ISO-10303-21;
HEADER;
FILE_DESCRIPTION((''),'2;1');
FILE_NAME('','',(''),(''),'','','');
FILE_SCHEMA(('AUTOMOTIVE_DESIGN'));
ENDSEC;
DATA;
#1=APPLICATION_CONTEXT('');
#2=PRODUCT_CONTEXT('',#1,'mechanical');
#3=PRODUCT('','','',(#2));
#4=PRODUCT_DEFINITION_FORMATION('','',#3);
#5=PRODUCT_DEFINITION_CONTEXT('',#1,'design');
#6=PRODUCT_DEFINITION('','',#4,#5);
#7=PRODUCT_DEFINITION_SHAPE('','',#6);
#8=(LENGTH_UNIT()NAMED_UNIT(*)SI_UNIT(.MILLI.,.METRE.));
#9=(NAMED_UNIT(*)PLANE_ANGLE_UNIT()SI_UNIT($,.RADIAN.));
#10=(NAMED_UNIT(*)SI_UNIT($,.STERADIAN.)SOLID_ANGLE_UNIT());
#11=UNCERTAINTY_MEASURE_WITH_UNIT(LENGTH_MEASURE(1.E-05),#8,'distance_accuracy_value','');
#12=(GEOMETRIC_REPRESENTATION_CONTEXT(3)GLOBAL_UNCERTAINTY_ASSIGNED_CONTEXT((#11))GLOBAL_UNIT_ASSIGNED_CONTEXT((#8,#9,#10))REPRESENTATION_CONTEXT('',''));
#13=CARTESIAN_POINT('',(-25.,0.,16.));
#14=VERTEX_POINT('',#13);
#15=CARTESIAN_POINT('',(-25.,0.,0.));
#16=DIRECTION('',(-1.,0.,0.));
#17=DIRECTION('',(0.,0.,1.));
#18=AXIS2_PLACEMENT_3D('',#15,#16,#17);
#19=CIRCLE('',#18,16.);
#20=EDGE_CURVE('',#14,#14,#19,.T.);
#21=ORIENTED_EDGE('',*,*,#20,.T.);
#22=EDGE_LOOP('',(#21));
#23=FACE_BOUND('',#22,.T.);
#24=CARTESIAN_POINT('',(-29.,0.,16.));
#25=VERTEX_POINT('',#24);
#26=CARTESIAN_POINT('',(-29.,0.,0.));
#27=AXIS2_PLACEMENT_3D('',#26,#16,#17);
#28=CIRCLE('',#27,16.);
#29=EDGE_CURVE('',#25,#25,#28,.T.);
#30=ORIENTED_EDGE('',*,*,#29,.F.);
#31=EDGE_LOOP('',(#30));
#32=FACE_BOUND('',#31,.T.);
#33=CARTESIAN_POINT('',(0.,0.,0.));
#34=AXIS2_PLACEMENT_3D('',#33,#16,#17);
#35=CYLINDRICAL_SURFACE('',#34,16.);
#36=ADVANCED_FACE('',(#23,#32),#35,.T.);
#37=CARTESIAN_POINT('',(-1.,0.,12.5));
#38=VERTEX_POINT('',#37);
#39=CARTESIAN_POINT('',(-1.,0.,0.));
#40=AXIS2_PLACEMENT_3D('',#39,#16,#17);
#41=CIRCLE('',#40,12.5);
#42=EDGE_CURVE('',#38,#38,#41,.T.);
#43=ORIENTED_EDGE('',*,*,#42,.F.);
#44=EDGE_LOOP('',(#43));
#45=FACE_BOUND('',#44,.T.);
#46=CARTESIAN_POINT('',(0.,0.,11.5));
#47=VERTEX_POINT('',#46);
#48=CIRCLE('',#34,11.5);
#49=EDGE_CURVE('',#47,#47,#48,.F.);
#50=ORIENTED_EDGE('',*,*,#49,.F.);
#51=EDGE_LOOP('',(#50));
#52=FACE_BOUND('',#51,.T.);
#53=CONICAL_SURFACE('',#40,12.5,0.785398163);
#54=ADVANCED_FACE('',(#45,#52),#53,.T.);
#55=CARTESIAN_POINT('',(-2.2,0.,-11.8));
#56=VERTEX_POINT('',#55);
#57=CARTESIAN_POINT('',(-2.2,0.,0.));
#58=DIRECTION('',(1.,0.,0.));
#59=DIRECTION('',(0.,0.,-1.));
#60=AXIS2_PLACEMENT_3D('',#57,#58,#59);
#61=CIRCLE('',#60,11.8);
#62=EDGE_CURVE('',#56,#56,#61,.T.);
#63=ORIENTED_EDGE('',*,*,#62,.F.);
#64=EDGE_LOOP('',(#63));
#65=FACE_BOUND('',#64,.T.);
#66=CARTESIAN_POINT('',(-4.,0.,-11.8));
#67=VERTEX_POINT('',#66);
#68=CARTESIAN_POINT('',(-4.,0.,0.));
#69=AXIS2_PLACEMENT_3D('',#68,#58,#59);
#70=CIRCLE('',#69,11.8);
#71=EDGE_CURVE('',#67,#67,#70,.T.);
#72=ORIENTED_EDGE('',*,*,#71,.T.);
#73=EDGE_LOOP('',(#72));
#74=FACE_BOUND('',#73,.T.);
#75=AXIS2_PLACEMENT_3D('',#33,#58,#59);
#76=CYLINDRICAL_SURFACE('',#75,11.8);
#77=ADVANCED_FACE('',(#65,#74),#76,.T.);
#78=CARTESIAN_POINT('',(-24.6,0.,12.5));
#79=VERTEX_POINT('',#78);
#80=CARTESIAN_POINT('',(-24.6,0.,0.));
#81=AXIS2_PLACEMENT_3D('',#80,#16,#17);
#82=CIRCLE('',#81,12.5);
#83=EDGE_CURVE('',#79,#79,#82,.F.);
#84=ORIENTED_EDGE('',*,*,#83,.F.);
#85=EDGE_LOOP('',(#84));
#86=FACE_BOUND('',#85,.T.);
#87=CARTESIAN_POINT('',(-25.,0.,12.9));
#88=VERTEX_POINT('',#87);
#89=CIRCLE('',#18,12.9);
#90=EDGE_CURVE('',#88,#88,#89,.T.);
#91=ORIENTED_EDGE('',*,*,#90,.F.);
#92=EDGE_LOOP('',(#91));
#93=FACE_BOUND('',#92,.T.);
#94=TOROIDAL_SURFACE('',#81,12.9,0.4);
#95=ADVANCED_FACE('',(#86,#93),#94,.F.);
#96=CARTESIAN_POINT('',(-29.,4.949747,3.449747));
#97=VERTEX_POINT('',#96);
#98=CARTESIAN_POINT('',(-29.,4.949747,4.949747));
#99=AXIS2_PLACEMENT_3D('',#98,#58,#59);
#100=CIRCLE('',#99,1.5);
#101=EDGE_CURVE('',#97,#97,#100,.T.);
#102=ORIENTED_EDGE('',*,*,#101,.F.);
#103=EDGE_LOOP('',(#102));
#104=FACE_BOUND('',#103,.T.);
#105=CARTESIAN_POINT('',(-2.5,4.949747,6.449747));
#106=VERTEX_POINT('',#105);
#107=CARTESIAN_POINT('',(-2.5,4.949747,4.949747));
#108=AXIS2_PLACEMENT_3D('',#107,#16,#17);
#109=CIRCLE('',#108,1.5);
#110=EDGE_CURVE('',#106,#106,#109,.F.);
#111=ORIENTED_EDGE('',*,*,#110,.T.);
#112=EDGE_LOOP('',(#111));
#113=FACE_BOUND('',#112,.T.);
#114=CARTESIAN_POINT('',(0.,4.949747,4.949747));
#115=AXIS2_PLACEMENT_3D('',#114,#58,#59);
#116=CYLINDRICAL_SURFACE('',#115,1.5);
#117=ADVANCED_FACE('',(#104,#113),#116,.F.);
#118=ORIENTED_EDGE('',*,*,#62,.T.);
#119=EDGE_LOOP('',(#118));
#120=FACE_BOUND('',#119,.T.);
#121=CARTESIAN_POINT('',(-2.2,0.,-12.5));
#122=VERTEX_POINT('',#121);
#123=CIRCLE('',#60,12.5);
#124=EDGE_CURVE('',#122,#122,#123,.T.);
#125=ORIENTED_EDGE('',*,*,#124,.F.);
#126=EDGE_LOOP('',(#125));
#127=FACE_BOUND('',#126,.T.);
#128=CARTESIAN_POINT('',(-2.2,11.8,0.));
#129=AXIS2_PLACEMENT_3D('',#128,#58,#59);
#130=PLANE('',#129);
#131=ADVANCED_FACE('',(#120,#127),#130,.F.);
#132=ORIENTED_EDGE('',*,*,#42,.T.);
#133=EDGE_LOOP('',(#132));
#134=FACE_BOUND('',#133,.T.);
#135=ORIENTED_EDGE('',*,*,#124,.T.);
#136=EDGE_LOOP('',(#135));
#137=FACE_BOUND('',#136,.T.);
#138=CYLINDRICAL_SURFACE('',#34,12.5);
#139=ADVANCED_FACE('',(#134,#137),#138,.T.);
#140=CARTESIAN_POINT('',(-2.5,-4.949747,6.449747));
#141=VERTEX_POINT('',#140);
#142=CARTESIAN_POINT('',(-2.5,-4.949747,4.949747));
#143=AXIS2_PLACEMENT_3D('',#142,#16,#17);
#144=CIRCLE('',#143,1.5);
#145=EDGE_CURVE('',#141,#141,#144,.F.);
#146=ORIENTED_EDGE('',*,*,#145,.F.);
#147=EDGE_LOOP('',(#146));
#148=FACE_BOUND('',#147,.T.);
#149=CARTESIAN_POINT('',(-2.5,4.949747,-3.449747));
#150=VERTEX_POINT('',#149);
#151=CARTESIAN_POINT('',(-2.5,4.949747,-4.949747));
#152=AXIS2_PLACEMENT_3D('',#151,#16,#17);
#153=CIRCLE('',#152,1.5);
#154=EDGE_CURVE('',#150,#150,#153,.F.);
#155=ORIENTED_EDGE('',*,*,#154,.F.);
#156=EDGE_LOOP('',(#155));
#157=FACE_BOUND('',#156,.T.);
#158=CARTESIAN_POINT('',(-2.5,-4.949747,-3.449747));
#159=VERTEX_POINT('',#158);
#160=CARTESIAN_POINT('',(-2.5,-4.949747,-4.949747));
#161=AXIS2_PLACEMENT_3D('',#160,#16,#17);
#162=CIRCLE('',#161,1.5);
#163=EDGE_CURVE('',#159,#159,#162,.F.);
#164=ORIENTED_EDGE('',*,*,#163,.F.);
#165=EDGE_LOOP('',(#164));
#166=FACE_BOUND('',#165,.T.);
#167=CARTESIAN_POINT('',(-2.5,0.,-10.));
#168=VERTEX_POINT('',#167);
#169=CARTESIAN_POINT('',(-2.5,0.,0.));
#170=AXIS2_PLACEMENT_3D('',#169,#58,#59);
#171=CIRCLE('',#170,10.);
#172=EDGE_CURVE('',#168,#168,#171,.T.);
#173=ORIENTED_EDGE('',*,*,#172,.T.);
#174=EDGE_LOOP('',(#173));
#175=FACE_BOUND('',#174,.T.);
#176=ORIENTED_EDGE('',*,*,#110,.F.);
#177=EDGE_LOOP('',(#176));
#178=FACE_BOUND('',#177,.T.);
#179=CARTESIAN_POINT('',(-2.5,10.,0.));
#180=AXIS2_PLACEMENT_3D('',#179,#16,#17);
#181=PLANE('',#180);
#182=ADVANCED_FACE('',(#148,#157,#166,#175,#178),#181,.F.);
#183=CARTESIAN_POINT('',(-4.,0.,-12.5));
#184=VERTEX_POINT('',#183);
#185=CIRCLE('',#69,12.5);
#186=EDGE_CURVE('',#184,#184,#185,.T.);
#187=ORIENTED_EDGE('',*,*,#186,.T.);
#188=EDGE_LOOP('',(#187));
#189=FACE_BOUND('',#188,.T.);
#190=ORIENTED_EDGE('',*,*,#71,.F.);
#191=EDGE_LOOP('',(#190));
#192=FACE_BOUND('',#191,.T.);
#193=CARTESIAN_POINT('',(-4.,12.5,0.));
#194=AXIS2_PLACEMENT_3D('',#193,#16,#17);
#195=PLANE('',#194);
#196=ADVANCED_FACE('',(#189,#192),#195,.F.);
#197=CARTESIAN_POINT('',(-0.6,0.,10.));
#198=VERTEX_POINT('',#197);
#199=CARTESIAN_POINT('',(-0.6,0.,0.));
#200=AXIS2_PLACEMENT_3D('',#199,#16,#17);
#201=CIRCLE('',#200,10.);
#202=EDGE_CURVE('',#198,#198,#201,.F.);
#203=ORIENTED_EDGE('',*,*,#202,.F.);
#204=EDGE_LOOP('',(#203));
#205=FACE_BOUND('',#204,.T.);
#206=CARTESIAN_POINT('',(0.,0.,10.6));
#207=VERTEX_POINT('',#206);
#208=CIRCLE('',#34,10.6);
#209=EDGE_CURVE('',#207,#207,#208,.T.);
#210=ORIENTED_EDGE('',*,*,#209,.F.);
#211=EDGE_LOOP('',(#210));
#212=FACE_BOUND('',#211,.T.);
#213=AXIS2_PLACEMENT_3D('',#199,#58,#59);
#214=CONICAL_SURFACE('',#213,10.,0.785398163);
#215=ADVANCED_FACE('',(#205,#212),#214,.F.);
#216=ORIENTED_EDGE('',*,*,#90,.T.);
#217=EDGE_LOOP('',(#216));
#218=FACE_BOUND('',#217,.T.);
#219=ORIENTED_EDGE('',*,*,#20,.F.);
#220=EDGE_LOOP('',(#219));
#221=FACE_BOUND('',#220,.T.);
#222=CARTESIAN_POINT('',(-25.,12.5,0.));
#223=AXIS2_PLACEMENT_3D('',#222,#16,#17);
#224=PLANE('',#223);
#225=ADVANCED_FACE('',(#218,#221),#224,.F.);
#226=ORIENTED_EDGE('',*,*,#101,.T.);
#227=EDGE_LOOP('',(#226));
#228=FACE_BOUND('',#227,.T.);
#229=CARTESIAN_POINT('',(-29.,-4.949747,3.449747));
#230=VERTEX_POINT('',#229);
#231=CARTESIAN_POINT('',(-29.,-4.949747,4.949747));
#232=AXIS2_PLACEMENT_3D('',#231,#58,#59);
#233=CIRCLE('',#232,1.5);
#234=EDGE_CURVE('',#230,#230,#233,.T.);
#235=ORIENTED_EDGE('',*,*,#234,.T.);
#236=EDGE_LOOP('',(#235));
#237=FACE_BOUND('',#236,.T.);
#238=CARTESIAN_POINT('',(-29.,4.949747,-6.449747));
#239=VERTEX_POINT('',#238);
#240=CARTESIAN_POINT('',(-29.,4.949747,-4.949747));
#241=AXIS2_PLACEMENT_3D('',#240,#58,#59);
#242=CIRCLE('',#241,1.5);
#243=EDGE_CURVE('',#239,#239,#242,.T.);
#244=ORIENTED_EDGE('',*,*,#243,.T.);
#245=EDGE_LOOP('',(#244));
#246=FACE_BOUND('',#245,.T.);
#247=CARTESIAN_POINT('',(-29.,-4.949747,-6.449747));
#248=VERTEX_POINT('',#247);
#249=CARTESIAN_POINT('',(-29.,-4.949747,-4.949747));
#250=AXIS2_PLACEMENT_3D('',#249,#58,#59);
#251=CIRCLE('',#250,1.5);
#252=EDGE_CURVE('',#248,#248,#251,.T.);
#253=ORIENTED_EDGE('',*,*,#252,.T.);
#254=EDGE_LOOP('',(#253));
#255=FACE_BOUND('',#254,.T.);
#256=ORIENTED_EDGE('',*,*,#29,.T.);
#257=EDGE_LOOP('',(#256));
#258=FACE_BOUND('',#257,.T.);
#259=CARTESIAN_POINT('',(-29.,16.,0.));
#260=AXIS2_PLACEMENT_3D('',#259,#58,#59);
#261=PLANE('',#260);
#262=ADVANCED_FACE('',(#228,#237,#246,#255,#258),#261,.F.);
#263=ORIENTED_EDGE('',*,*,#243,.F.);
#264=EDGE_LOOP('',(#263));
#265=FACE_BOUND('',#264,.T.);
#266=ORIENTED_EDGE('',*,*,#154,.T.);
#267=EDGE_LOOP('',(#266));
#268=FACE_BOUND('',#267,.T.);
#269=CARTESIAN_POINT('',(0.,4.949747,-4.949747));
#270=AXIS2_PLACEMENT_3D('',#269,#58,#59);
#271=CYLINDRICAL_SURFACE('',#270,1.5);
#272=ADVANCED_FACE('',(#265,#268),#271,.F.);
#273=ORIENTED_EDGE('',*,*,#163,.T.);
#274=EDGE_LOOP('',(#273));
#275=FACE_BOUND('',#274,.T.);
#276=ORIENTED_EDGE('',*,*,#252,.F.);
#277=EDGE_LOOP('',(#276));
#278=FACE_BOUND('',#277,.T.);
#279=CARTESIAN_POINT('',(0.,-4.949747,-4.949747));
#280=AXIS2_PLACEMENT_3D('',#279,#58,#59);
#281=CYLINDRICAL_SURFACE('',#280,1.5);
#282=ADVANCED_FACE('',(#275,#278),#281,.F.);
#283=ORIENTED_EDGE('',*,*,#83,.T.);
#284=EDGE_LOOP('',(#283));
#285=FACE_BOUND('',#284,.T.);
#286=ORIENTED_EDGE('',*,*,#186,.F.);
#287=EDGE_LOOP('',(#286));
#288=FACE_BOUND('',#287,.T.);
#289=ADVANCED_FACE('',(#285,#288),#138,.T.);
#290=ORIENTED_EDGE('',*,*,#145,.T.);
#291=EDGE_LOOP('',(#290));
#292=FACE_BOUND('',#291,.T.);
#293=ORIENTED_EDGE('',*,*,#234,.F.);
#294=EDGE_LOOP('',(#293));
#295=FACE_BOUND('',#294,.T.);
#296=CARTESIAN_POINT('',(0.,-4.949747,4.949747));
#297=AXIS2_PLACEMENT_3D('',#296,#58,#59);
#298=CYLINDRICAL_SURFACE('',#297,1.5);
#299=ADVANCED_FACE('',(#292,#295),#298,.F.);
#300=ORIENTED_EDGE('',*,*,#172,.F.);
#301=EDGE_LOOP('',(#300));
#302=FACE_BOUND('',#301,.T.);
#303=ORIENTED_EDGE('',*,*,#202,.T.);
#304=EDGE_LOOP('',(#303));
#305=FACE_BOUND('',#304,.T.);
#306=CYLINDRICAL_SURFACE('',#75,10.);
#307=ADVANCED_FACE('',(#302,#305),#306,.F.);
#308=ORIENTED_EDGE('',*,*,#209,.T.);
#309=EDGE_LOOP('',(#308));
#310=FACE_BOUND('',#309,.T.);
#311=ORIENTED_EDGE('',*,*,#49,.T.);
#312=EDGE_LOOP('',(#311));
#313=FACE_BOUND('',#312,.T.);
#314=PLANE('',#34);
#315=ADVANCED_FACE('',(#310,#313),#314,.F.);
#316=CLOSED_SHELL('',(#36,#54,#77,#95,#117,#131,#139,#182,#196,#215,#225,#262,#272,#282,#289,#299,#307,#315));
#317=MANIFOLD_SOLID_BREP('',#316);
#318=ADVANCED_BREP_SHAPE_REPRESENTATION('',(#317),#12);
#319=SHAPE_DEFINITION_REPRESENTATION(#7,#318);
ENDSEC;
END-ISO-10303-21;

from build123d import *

# Parameters (mm, degrees)
SKETCH_2_W               = 1.8
SKETCH_2_H               = 0.7
CHAMFER_1_SIZE           = 1
FILLET_1_R               = 0.4
HOLE_WIZARD_1_D          = 3
PATTERN_CIRCULAR_1_COUNT = 4
SKETCH_5_W               = 2.5
SKETCH_5_H               = 10
CHAMFER_2_SIZE           = 0.6


with BuildPart() as part:
    # Эскиз1 → Повернуть1 (revolve)
    with BuildSketch(Plane.XY, mode=Mode.PRIVATE) as revolve_1_sk:
        Polygon((0, 0), (0, 12.5), (-25, 12.5), (-25, 16), (-29, 16), (-29, 0), align=None)
    revolve(revolve_1_sk.sketch.rotate(Axis((0, 0, 0), (1, 0, 0)), 90), axis=Axis((0, 0, 0), (1, 0, 0)))

    # Эскиз2 → Вырез-Повернуть1 (revolve, cut)
    with BuildSketch(Plane.XY, mode=Mode.PRIVATE) as cut_revolve_1_sk:
        with Locations((-3.1, 12.15)):
            Rectangle(SKETCH_2_W, SKETCH_2_H)
    revolve(cut_revolve_1_sk.sketch.rotate(Axis((0, 0, 0), (-1, 0, 0)), 270), axis=Axis((0, 0, 0), (-1, 0, 0)), mode=Mode.SUBTRACT)

    # Фаска1
    chamfer_1_edges = [part.edges().sort_by_distance(p)[0] for p in [
        (0, 0, -12.5),
    ]]
    chamfer(chamfer_1_edges, length=CHAMFER_1_SIZE)

    # Скругление1
    fillet_1_edges = [part.edges().sort_by_distance(p)[0] for p in [
        (-25, 0, -12.5),
    ]]
    fillet(fillet_1_edges, radius=FILLET_1_R)

    # Отверстие1 (through all)
    with Locations(Plane(origin=(0, 0, 0), x_dir=(0, 0, -1), z_dir=(1, 0, 0))):
        with Locations((4.949747468, 4.949747468)):
            hole_wizard_1 = Hole(HOLE_WIZARD_1_D / 2)

    # Круговой массив1: Отверстие1 ×4 about axis
    pattern_circular_1_axis = Axis((0, 0, 0), (1, 0, 0))
    for i in range(1, PATTERN_CIRCULAR_1_COUNT):
        add(hole_wizard_1.rotate(pattern_circular_1_axis, i * 360 / PATTERN_CIRCULAR_1_COUNT), mode=Mode.SUBTRACT)

    # Эскиз5 → Вырез-Повернуть2 (revolve, cut)
    with BuildSketch(Plane.XY, mode=Mode.PRIVATE) as cut_revolve_2_sk:
        with Locations((-1.25, 5)):
            Rectangle(SKETCH_5_W, SKETCH_5_H)
    revolve(cut_revolve_2_sk.sketch.rotate(Axis((0, 0, 0), (-1, 0, 0)), 90), axis=Axis((0, 0, 0), (-1, 0, 0)), mode=Mode.SUBTRACT)

    # Фаска2
    chamfer_2_edges = [part.edges().sort_by_distance(p)[0] for p in [
        (0, 0, 10),
    ]]
    chamfer(chamfer_2_edges, length=CHAMFER_2_SIZE)


solid = part.part
